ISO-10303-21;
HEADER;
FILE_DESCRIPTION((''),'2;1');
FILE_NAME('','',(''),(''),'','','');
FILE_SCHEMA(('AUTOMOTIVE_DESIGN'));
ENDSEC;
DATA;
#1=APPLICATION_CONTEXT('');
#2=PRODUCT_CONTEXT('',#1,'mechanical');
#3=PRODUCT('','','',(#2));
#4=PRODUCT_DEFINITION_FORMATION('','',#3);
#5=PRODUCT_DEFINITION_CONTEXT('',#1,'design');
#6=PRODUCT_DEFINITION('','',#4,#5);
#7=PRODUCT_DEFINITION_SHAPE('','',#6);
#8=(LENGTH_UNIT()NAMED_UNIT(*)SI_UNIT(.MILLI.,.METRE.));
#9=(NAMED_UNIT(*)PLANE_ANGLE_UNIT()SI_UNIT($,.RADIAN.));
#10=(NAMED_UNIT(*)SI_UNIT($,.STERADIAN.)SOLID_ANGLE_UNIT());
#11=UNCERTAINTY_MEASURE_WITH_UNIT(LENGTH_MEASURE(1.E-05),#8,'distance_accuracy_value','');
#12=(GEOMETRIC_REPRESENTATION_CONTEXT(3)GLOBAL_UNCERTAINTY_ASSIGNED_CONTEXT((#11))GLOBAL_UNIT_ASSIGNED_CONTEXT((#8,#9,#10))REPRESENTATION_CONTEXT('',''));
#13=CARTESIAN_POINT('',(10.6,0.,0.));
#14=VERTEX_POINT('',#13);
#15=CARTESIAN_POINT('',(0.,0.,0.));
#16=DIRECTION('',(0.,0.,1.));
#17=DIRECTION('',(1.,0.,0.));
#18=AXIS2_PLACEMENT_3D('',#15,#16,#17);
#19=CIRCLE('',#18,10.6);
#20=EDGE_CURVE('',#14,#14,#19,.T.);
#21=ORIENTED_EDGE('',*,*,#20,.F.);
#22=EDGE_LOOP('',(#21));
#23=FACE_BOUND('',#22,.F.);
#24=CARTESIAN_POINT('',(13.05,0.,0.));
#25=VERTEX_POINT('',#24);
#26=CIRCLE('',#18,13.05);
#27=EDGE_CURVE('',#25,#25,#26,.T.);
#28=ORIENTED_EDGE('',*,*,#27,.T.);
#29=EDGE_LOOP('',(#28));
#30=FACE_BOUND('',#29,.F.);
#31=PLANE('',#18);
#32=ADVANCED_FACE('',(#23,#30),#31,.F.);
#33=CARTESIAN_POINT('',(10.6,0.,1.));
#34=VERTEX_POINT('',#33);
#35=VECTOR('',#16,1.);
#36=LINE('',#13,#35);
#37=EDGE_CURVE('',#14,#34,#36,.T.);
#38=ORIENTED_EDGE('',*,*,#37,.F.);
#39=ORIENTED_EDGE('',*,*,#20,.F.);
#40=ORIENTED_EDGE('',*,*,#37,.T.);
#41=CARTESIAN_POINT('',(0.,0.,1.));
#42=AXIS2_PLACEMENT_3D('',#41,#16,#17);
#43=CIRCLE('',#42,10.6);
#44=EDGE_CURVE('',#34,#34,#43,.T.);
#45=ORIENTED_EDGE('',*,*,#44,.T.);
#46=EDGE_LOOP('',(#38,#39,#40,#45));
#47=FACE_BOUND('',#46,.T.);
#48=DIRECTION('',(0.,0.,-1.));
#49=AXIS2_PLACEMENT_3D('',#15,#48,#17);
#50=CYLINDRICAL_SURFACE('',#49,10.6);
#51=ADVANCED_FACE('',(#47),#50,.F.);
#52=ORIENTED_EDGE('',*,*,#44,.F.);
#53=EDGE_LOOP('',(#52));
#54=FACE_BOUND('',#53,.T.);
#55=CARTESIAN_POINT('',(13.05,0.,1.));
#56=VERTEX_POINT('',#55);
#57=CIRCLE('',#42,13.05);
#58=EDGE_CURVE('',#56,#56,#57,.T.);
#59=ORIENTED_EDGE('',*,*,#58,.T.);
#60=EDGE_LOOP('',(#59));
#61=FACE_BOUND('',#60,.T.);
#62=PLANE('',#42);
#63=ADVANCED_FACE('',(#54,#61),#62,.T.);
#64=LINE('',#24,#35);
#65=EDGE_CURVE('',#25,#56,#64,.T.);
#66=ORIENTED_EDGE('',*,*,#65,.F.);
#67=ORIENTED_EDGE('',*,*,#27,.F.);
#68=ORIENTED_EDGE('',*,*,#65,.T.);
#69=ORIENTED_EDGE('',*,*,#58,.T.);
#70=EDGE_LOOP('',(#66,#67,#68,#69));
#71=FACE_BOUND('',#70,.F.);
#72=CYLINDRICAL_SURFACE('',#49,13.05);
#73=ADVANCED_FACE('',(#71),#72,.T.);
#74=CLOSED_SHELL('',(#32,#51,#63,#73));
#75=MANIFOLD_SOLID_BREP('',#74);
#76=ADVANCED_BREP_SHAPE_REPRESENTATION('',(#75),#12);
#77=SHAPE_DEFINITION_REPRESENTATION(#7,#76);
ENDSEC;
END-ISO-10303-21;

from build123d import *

# Parameters (mm, degrees)
SKICA1_R                = 13.05
SKICA1_R_2              = 10.6
P_IDAT_VYSUNUT_M1_DEPTH = 1


with BuildPart() as part:
    # Skica1 → Přidat vysunutím1 (new body)
    with BuildSketch(Plane.XY):
        Circle(SKICA1_R)
        Circle(SKICA1_R_2, mode=Mode.SUBTRACT)
    extrude(amount=P_IDAT_VYSUNUT_M1_DEPTH)


solid = part.part
